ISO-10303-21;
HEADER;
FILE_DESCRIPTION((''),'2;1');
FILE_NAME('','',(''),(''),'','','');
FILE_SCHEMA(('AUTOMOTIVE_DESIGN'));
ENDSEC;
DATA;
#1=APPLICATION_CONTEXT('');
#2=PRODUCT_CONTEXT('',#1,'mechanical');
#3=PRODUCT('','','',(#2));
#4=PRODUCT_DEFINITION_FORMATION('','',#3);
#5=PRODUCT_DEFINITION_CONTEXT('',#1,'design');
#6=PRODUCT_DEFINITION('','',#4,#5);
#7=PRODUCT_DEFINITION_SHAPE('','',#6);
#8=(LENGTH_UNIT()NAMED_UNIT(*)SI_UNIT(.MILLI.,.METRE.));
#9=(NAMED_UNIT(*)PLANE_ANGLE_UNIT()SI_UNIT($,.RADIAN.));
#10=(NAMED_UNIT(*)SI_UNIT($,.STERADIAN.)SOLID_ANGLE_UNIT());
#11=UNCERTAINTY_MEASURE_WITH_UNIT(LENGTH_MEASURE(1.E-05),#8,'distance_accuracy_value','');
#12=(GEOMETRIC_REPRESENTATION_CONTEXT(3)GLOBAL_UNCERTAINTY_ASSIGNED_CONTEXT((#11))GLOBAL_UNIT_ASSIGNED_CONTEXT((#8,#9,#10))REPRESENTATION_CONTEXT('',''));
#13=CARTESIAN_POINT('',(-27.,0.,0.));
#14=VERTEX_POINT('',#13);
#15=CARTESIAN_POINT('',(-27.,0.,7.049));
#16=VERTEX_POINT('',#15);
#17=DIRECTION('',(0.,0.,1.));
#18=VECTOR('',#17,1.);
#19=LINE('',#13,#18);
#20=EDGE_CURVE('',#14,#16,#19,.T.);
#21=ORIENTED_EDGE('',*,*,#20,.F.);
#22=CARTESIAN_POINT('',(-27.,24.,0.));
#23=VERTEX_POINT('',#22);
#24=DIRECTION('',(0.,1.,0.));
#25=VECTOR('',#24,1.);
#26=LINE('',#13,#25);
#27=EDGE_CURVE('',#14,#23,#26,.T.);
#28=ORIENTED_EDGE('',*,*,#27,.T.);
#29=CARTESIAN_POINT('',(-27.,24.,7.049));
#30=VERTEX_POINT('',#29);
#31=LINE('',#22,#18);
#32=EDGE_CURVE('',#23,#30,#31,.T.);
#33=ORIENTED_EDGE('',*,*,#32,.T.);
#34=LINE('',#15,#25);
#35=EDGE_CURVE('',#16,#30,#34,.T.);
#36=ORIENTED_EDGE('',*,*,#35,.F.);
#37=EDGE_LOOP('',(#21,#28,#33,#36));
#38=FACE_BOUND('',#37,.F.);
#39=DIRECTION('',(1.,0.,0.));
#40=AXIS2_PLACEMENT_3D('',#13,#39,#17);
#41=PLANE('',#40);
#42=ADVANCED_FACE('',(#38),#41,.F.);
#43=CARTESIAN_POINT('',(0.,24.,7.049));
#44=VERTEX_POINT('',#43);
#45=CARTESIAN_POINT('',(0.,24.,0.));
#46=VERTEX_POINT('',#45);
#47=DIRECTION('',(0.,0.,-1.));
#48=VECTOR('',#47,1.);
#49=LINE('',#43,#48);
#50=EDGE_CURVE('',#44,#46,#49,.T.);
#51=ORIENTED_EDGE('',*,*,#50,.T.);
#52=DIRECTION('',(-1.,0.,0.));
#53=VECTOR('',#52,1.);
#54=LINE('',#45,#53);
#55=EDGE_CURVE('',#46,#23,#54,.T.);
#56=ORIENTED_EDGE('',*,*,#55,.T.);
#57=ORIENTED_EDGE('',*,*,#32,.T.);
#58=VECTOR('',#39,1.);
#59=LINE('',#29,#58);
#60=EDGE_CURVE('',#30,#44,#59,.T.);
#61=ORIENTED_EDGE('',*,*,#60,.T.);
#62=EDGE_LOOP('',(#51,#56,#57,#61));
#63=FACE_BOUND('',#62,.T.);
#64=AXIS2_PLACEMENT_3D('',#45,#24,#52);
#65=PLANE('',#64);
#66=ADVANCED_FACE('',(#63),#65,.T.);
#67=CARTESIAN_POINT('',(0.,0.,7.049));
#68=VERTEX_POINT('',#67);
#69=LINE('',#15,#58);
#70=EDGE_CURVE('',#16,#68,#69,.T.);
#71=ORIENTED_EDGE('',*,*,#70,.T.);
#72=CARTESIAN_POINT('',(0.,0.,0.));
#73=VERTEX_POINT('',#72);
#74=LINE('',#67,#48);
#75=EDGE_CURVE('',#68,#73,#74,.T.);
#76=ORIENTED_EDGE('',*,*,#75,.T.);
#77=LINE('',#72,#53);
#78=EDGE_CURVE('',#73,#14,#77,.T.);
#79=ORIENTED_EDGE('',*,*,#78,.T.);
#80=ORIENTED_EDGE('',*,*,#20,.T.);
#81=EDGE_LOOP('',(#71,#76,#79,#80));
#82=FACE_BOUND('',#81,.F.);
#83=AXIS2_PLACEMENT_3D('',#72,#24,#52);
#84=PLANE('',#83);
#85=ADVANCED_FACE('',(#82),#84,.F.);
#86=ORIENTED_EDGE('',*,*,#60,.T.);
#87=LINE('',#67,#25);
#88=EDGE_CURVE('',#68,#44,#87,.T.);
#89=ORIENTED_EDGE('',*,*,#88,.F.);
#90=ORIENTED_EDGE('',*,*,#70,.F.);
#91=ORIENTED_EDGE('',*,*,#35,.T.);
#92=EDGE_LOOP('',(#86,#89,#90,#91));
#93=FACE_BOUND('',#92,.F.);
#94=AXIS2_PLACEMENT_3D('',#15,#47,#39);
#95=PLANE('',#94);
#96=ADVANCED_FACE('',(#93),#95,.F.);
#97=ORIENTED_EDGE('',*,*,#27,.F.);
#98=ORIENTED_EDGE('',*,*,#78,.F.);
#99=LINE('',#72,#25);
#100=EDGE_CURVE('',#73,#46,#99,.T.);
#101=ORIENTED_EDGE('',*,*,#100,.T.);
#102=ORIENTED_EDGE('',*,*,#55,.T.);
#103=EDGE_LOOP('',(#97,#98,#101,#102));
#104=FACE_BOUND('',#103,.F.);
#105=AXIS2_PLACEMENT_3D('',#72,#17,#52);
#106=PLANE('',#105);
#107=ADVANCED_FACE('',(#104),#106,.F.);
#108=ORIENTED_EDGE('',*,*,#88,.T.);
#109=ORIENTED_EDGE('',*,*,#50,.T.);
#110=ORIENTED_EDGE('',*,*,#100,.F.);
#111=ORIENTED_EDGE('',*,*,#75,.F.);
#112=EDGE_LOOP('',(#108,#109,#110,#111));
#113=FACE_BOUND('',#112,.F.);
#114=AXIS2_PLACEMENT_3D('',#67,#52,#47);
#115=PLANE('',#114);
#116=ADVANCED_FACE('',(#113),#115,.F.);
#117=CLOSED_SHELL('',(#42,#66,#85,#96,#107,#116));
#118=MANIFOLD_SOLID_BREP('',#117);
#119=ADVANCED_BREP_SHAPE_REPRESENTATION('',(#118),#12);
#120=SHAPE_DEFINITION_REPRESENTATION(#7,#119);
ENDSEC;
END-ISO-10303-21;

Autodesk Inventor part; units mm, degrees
ref_plane "YZ Plane" through (0, 0, 0) normal (1, 0, 0) x (0, 1, 0)
ref_plane "XZ Plane" through (0, 0, 0) normal (0, 1, 0) x (-1, 0, 0)
ref_plane "XY Plane" through (0, 0, 0) normal (0, 0, 1) x (1, 0, 0)
sketch "스케치1" plane through (0, 0, 0) normal (0, 1, 0) x (-1, 0, 0)
  line L0 (0, 0) -> (27, 0)
  line L1 (27, 0) -> (27, 7.049)
  line L2 (27, 7.049) -> (0, 7.049)
  line L3 (0, 7.049) -> (0, 0)
  dimension "d0" = 27
  dimension "d1" = 7.049
extrude "돌출1" add sketch "스케치1" along normal blind 24
properties part number "부피 구하기3"
